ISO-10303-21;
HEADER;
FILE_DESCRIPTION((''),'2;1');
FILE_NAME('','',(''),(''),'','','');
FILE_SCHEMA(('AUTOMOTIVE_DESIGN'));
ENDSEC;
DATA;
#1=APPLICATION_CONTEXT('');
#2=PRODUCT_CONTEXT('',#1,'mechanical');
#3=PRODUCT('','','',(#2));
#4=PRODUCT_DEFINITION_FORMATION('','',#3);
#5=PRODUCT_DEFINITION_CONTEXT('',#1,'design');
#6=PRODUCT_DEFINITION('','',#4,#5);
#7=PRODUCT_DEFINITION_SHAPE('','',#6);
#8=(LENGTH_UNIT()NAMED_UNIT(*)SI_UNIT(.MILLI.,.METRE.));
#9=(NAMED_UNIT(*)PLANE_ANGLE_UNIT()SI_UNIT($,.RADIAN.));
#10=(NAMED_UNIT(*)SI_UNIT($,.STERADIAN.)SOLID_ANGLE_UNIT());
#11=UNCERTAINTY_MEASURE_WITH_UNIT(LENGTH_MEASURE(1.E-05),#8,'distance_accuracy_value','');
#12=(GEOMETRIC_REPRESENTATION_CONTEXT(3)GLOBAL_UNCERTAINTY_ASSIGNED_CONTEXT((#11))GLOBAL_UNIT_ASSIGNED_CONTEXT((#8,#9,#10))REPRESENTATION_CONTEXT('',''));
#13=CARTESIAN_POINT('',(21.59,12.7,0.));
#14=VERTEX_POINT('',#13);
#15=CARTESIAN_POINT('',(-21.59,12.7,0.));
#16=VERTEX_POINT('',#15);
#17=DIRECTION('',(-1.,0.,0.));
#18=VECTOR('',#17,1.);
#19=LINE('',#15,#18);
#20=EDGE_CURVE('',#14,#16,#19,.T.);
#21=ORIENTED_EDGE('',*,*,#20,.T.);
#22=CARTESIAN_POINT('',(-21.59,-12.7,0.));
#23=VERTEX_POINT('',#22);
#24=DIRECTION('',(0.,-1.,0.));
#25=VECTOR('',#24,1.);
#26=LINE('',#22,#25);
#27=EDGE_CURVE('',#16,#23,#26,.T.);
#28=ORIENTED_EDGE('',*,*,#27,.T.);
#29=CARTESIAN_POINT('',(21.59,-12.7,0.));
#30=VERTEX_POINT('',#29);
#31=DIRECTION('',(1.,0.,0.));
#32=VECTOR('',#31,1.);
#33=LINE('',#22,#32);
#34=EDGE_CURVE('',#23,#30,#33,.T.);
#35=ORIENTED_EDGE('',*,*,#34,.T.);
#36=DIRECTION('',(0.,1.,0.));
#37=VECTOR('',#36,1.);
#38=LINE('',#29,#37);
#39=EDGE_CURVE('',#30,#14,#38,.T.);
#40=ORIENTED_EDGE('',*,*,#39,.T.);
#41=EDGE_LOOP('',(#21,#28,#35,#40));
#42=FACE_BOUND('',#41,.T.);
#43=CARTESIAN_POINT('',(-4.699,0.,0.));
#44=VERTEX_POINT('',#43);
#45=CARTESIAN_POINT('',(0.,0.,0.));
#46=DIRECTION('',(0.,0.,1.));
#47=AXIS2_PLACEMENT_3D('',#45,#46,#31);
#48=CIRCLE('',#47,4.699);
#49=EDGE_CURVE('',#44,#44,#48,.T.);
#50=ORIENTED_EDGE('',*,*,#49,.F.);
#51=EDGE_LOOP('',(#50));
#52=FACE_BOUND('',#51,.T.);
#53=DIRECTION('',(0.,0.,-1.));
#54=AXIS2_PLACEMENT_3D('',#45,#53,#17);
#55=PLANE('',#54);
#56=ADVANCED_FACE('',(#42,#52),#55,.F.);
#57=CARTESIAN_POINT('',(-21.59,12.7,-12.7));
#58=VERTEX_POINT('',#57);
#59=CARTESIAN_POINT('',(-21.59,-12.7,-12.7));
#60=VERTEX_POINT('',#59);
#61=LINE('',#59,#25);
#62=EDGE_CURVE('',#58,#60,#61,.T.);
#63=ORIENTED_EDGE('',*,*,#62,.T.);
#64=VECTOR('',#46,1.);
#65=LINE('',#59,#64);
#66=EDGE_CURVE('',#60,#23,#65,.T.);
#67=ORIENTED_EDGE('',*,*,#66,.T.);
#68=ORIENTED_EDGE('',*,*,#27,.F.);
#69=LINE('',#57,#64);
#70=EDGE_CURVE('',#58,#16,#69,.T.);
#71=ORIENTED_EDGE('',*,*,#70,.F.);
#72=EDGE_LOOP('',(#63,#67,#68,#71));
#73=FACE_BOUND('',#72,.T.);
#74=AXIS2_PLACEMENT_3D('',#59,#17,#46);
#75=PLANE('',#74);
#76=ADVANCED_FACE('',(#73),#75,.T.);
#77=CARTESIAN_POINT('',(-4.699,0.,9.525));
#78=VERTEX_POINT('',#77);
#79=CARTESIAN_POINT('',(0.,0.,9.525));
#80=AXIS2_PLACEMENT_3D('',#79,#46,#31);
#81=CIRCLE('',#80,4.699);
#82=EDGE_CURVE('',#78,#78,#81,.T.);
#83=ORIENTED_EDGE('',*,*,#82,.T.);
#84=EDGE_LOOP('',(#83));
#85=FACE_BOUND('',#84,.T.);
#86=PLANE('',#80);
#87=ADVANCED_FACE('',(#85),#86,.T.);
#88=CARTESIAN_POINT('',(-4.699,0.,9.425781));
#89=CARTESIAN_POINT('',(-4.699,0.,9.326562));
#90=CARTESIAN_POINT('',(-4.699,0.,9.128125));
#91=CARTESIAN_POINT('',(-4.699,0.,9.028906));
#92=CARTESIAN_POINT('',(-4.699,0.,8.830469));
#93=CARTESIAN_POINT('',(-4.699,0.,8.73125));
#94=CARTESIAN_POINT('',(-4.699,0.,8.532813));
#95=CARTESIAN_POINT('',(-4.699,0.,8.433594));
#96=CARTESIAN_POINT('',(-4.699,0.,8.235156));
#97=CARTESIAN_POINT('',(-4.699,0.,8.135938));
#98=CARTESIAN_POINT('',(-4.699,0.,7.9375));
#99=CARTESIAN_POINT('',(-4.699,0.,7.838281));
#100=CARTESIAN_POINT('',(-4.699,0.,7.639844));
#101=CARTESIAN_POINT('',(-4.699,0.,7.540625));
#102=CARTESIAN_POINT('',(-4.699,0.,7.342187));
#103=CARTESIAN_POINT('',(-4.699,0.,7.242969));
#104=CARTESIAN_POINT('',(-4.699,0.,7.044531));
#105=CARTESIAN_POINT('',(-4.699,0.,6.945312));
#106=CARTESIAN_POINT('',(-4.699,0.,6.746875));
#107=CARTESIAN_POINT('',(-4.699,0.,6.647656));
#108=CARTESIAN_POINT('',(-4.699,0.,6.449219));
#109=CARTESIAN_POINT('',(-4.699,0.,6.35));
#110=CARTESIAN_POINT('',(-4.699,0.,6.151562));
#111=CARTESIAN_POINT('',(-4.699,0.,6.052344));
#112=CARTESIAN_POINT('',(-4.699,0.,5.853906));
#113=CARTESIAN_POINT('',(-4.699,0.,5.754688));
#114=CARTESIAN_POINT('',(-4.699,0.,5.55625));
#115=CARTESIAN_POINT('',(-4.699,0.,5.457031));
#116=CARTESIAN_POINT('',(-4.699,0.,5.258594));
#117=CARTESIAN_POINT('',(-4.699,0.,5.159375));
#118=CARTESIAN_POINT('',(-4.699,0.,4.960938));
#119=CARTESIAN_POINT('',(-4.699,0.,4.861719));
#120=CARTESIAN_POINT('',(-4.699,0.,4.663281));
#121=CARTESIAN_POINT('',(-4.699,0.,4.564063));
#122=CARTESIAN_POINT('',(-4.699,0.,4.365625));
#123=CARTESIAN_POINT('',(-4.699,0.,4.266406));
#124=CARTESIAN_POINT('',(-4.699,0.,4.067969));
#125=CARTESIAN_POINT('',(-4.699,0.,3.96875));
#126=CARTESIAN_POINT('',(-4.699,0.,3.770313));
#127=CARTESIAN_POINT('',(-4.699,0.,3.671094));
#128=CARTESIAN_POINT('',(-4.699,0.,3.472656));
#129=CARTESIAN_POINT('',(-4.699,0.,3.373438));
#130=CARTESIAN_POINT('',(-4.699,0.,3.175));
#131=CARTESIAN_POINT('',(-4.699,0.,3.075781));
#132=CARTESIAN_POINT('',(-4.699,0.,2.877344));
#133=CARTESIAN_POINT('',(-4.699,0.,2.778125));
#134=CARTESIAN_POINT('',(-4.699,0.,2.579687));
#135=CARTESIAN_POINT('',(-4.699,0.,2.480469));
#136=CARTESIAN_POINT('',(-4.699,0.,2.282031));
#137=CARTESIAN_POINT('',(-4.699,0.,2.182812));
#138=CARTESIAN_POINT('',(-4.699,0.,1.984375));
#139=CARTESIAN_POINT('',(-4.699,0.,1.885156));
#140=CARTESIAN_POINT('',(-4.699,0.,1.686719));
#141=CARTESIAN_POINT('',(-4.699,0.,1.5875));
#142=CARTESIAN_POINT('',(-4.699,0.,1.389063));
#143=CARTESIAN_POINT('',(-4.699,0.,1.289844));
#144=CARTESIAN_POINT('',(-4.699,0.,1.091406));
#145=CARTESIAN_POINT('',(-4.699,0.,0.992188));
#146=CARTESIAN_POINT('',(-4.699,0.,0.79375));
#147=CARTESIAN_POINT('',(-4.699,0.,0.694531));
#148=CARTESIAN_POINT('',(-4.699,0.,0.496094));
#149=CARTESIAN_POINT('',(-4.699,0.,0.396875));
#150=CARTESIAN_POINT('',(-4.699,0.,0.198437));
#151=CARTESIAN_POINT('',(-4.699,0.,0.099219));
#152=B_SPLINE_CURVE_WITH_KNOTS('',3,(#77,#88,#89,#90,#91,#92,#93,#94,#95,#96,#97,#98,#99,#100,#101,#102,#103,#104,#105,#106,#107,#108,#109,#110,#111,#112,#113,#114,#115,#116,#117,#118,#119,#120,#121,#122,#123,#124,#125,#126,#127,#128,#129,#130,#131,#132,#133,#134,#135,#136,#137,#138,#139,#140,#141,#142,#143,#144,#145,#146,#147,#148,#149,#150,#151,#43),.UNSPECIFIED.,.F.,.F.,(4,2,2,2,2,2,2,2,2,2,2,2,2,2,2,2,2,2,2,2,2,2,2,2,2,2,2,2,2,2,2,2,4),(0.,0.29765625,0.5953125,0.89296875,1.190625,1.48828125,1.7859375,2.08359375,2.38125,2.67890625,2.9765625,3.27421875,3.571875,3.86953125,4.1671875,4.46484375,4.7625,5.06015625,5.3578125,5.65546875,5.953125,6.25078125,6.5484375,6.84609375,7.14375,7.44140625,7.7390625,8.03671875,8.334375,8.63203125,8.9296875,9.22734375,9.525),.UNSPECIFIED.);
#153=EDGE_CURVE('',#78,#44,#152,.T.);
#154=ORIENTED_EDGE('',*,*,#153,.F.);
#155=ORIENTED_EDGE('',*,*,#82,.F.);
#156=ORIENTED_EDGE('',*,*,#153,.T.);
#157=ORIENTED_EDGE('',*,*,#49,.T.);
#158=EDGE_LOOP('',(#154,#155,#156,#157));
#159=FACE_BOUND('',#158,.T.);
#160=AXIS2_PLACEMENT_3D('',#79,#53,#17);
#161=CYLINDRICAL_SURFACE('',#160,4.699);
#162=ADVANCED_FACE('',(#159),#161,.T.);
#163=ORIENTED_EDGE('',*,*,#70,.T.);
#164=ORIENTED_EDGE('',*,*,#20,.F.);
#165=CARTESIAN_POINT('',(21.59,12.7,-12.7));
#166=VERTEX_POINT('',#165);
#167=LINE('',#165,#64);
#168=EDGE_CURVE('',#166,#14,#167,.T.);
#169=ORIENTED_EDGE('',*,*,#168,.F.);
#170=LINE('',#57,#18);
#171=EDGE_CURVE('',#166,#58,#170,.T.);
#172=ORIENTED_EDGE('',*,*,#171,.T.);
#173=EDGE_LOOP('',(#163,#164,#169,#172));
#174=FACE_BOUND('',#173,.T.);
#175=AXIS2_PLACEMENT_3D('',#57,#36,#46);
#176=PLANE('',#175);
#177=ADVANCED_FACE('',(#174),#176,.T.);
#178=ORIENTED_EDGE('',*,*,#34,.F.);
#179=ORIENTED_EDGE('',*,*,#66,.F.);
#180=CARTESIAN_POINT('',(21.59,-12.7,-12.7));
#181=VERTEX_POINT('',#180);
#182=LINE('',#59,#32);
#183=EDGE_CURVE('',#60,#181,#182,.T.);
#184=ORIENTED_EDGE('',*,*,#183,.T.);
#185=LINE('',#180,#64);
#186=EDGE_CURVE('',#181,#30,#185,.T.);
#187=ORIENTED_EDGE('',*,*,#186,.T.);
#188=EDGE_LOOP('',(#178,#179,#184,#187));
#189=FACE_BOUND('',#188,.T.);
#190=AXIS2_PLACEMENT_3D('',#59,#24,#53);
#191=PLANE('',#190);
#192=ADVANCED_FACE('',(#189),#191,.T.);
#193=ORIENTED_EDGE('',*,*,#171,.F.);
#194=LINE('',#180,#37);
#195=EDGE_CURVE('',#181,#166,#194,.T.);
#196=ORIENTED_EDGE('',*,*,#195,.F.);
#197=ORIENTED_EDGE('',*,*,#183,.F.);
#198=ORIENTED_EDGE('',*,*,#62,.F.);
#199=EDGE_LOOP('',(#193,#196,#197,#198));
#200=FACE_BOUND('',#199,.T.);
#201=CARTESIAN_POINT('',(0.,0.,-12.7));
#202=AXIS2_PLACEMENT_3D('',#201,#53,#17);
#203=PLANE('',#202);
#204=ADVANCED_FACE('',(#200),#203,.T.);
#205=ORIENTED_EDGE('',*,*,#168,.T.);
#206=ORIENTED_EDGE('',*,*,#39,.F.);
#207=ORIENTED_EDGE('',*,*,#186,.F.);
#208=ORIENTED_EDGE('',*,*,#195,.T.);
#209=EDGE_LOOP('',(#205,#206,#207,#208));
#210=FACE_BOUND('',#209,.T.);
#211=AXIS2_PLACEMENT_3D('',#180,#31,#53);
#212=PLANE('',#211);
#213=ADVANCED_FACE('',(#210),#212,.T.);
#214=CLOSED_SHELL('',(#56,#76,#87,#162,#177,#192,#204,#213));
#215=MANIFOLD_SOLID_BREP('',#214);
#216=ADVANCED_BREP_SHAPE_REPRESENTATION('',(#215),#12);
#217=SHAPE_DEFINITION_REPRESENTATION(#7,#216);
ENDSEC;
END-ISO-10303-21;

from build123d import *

# Parameters (mm, degrees)
SKETCH2_W           = 43.18
SKETCH2_H           = 25.4
BOSS_EXTRUDE3_DEPTH = 12.7
SKETCH4_R           = 4.699
BOSS_EXTRUDE4_DEPTH = 9.525


with BuildPart() as part:
    # Sketch2 → Boss-Extrude3 (new body)
    with BuildSketch(Plane.XY):
        Rectangle(SKETCH2_W, SKETCH2_H)
    extrude(amount=-BOSS_EXTRUDE3_DEPTH)

    # Sketch4 → Boss-Extrude4 (add)
    with BuildSketch(Plane.XY):
        with Locations(Location((0, 0, 0), (0, 0, 180))):
            Circle(SKETCH4_R)
    extrude(amount=BOSS_EXTRUDE4_DEPTH)


solid = part.part
